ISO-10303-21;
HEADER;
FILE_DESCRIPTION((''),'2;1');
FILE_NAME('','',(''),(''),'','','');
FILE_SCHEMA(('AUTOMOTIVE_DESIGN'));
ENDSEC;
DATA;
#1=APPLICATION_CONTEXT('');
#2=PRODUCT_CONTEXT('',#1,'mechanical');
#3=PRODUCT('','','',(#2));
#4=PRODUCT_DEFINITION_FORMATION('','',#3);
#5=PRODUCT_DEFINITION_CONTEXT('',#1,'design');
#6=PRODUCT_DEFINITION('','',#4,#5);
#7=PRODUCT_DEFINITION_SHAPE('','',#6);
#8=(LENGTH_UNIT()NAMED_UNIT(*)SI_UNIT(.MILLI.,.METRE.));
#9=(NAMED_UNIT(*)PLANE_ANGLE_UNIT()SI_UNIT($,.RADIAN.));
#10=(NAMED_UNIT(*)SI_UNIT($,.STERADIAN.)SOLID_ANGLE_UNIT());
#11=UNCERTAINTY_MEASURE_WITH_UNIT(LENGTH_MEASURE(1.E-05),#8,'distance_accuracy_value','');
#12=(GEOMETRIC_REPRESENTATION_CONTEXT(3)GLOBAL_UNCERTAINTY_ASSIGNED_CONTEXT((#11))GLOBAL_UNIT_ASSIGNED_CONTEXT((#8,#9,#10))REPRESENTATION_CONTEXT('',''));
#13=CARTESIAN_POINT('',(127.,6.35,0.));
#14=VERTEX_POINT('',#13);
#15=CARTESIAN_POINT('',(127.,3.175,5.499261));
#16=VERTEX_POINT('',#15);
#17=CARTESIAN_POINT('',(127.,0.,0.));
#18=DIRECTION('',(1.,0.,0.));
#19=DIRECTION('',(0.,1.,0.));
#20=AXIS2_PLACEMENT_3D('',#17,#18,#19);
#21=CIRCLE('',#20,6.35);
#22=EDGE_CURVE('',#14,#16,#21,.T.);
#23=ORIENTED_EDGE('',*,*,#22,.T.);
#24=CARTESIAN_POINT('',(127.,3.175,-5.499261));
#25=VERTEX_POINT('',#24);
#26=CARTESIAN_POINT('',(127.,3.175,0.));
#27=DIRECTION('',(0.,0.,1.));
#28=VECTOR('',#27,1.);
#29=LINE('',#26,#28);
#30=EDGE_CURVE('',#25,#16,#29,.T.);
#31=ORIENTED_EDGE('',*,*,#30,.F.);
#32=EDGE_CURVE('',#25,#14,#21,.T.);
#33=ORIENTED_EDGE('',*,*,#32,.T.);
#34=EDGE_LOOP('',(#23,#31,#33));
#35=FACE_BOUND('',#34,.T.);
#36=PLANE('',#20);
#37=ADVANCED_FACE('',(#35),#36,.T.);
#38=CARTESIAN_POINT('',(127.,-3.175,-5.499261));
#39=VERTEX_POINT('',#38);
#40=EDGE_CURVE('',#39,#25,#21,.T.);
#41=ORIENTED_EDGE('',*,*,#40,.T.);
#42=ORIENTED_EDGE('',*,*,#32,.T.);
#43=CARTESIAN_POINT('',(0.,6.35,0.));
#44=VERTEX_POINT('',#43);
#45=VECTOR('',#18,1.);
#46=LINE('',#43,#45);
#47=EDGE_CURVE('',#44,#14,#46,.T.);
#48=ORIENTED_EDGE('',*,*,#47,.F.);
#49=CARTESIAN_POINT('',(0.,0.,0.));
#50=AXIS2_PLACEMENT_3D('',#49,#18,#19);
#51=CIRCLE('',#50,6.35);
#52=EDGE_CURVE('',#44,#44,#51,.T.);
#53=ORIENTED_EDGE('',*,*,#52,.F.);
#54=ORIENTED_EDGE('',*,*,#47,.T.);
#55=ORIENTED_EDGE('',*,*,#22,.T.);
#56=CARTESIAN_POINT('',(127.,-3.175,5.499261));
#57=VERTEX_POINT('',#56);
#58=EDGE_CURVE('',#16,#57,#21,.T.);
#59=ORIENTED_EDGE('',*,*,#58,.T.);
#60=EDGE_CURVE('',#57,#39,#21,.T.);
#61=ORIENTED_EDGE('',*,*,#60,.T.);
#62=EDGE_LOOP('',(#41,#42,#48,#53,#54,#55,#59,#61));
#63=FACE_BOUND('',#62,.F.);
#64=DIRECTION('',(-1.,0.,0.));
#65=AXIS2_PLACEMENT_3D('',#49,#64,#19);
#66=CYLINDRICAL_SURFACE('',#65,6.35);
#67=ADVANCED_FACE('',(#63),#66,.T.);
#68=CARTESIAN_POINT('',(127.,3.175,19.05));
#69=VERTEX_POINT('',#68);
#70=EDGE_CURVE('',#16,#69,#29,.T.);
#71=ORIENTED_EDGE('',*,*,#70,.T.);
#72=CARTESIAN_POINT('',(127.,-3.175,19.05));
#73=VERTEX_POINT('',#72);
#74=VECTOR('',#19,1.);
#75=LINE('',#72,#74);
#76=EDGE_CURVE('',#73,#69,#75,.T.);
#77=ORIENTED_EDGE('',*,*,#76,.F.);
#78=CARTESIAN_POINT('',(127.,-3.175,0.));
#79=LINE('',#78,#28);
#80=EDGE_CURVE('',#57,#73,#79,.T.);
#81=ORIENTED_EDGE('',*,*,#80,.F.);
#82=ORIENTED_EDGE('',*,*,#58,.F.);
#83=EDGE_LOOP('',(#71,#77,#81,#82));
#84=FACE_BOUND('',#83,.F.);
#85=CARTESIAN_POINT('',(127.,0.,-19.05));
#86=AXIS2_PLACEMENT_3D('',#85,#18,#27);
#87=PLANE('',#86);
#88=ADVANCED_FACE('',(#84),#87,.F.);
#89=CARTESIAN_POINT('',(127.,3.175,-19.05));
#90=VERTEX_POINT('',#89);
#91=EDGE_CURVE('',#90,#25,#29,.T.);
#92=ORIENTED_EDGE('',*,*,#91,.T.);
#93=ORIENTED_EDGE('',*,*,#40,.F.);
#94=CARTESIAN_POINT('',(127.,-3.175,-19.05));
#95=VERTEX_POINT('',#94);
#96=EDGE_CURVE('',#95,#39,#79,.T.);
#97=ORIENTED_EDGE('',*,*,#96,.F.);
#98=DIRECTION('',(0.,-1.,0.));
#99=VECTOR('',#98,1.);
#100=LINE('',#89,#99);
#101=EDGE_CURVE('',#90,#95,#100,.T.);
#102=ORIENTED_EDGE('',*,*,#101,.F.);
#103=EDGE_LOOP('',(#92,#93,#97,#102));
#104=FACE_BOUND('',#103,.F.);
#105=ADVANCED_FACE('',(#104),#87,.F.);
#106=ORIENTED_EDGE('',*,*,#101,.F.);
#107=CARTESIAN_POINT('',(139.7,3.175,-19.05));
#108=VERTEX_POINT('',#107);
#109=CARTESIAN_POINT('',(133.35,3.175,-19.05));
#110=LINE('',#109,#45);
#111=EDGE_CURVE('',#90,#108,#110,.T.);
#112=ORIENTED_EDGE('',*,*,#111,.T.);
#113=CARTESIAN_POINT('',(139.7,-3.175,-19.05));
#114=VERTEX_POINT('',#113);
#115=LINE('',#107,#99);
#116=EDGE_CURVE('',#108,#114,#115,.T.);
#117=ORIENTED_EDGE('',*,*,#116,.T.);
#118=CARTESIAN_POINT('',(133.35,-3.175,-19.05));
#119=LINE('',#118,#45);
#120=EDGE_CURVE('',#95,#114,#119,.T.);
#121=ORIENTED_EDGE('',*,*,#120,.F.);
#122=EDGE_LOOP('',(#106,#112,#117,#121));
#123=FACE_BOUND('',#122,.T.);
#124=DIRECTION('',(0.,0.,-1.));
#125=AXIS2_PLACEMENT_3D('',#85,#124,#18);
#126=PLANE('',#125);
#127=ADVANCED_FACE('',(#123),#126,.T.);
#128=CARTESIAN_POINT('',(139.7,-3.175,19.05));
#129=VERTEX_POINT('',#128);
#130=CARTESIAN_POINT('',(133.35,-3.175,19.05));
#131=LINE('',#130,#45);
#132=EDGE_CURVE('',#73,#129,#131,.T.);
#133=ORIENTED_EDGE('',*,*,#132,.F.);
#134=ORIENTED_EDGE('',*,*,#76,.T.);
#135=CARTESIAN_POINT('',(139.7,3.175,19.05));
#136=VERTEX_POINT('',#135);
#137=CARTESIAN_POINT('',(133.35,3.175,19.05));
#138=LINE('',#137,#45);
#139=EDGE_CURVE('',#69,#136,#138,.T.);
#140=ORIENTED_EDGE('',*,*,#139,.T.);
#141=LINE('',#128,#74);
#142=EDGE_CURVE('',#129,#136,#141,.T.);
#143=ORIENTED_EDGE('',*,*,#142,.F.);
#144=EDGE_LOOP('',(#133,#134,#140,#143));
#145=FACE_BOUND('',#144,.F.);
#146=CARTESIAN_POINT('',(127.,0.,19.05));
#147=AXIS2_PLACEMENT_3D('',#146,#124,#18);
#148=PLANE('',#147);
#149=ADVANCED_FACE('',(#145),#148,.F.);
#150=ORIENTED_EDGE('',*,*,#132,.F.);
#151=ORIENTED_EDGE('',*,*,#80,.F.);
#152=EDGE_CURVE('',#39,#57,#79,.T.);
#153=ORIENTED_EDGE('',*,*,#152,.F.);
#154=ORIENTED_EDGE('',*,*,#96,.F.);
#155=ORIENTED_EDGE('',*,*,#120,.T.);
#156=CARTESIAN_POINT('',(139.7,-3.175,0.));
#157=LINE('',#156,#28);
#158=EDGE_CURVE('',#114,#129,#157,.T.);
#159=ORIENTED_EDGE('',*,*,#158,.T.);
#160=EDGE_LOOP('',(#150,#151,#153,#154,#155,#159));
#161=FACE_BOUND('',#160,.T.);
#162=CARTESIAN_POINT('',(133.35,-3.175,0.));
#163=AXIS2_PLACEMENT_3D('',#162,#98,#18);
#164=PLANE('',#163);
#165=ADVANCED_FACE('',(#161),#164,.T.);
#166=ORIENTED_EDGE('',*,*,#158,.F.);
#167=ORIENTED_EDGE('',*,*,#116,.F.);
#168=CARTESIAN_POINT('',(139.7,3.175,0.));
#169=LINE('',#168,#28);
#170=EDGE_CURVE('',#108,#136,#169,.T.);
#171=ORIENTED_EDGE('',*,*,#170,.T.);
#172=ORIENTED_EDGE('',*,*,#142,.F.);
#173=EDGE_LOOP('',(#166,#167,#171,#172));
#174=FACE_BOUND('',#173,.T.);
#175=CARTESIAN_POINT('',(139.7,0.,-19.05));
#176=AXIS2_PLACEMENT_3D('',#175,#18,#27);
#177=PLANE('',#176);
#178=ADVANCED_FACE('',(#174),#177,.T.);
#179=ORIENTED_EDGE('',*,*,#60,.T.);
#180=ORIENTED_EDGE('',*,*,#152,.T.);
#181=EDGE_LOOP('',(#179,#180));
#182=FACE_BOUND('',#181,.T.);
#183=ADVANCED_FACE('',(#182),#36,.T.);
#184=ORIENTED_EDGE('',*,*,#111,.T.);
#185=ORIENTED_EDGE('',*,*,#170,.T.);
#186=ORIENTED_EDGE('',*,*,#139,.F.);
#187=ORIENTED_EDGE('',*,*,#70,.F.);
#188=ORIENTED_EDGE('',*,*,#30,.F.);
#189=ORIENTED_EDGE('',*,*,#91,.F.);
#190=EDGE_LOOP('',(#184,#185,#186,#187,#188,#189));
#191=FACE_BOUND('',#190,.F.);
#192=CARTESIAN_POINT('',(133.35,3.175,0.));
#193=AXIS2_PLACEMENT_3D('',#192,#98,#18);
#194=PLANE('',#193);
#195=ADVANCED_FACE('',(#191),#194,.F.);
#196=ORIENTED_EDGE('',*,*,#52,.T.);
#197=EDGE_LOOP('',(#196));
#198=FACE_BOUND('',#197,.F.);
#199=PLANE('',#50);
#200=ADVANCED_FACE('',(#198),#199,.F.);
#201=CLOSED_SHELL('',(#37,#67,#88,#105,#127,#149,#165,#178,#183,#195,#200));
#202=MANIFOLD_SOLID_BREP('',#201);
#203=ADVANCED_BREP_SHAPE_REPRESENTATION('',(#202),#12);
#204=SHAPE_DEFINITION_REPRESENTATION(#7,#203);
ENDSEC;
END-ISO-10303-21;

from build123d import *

# Parameters (mm, degrees)
F0_R     = 6.35
F1_DEPTH = 127
F2_W     = 12.7
F2_H     = 38.1
F3_DEPTH = 3.175


with BuildPart() as f1:
    # F0 (on Right) → F1 (new body)
    with BuildSketch(Plane.YZ):
        Circle(F0_R)
    extrude(amount=F1_DEPTH)

    # F2 (on Front) → F3 (join, symmetric)
    with BuildSketch(Plane.XZ):
        with Locations((133.35, 0)):
            Rectangle(F2_W, F2_H)
    extrude(amount=F3_DEPTH, both=True)


solid = f1.part
